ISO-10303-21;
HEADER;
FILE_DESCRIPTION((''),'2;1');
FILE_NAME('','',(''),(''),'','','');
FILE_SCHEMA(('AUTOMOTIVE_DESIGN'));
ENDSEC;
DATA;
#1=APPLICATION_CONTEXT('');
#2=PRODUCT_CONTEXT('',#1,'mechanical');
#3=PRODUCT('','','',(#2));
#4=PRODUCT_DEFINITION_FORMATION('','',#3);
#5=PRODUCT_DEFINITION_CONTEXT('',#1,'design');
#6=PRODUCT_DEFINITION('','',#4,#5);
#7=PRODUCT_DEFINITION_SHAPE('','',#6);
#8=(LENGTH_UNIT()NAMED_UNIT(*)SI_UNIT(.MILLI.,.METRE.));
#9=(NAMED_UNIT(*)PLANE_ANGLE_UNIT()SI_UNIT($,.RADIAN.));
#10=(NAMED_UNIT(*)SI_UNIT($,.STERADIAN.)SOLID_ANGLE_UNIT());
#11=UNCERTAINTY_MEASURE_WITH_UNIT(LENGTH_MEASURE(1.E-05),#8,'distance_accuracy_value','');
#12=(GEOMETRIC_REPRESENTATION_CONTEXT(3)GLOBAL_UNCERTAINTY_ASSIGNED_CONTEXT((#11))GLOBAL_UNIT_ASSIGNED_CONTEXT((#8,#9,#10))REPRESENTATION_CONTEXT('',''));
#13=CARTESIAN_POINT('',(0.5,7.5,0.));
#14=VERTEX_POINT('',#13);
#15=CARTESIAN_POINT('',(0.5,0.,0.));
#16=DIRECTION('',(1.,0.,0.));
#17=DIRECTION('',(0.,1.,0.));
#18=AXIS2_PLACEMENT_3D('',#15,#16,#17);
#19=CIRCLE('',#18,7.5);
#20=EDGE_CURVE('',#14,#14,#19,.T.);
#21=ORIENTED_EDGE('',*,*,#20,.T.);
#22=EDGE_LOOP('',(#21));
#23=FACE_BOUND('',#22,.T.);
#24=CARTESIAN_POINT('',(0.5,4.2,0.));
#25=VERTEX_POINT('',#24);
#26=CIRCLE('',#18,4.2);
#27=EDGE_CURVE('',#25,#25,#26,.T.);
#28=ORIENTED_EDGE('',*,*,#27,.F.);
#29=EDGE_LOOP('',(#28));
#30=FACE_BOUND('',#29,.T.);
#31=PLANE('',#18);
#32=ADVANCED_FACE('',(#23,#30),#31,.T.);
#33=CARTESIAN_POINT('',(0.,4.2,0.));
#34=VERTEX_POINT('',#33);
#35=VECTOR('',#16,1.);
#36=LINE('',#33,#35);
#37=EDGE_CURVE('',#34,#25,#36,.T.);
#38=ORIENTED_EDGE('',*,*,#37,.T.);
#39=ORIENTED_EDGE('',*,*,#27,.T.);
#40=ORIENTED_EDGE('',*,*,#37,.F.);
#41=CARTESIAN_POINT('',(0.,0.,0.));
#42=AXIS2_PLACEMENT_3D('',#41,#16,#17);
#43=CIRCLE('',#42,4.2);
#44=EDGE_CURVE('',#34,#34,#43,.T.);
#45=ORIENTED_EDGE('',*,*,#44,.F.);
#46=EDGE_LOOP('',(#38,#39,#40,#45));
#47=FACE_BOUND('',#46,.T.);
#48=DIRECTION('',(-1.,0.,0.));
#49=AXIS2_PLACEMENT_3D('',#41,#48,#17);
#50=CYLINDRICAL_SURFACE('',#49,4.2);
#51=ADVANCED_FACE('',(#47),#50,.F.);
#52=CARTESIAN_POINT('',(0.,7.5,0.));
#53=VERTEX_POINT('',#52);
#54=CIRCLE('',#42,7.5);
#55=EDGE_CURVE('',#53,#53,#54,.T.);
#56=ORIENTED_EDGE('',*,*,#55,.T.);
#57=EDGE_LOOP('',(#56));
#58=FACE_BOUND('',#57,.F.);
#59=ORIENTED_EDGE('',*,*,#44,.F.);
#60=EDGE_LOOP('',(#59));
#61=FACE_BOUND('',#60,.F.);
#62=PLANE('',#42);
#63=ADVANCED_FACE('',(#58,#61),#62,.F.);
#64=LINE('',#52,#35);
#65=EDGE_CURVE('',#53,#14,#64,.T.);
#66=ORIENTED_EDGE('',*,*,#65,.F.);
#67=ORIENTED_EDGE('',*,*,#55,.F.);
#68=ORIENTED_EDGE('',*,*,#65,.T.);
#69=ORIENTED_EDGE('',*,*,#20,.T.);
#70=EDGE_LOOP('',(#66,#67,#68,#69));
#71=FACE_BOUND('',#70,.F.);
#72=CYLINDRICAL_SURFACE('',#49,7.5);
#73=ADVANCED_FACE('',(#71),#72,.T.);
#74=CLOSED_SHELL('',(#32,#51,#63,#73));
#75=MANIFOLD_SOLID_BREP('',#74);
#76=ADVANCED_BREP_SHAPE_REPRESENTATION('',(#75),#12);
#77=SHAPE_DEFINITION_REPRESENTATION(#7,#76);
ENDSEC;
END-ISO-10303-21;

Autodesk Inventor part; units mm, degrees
sketch "Sketch_1" plane through (0, 0, 0) normal (1, 0, 0) x (0, 1, 0)
  circle A0 centre (0, 0) radius 7.5
  circle A1 centre (0, 0) radius 4.2
extrude "Extrusion1" add sketch "Sketch_1" along normal blind 0.5
ref_plane "IP1_XY" through (0, 0, 0) normal (1, 0, 0) x (0, 0, -1)
ref_plane "IP1_YZ" through (0, 0, 0) normal (0, 0, -1) x (0, 1, 0)
ref_plane "IP1_ZX" through (0, 0, 0) normal (0, 1, 0) x (1, 0, 0)
ref_plane "IP2_XY" through (0.5, 0, 0) normal (1, 0, 0) x (0, 0, -1)
ref_plane "IP2_YZ" through (0.5, 0, 0) normal (0, 0, -1) x (0, 1, 0)
ref_plane "IP2_ZX" through (0.5, 0, 0) normal (0, 1, 0) x (1, 0, 0)
properties part number "DIN-137 A 8"
